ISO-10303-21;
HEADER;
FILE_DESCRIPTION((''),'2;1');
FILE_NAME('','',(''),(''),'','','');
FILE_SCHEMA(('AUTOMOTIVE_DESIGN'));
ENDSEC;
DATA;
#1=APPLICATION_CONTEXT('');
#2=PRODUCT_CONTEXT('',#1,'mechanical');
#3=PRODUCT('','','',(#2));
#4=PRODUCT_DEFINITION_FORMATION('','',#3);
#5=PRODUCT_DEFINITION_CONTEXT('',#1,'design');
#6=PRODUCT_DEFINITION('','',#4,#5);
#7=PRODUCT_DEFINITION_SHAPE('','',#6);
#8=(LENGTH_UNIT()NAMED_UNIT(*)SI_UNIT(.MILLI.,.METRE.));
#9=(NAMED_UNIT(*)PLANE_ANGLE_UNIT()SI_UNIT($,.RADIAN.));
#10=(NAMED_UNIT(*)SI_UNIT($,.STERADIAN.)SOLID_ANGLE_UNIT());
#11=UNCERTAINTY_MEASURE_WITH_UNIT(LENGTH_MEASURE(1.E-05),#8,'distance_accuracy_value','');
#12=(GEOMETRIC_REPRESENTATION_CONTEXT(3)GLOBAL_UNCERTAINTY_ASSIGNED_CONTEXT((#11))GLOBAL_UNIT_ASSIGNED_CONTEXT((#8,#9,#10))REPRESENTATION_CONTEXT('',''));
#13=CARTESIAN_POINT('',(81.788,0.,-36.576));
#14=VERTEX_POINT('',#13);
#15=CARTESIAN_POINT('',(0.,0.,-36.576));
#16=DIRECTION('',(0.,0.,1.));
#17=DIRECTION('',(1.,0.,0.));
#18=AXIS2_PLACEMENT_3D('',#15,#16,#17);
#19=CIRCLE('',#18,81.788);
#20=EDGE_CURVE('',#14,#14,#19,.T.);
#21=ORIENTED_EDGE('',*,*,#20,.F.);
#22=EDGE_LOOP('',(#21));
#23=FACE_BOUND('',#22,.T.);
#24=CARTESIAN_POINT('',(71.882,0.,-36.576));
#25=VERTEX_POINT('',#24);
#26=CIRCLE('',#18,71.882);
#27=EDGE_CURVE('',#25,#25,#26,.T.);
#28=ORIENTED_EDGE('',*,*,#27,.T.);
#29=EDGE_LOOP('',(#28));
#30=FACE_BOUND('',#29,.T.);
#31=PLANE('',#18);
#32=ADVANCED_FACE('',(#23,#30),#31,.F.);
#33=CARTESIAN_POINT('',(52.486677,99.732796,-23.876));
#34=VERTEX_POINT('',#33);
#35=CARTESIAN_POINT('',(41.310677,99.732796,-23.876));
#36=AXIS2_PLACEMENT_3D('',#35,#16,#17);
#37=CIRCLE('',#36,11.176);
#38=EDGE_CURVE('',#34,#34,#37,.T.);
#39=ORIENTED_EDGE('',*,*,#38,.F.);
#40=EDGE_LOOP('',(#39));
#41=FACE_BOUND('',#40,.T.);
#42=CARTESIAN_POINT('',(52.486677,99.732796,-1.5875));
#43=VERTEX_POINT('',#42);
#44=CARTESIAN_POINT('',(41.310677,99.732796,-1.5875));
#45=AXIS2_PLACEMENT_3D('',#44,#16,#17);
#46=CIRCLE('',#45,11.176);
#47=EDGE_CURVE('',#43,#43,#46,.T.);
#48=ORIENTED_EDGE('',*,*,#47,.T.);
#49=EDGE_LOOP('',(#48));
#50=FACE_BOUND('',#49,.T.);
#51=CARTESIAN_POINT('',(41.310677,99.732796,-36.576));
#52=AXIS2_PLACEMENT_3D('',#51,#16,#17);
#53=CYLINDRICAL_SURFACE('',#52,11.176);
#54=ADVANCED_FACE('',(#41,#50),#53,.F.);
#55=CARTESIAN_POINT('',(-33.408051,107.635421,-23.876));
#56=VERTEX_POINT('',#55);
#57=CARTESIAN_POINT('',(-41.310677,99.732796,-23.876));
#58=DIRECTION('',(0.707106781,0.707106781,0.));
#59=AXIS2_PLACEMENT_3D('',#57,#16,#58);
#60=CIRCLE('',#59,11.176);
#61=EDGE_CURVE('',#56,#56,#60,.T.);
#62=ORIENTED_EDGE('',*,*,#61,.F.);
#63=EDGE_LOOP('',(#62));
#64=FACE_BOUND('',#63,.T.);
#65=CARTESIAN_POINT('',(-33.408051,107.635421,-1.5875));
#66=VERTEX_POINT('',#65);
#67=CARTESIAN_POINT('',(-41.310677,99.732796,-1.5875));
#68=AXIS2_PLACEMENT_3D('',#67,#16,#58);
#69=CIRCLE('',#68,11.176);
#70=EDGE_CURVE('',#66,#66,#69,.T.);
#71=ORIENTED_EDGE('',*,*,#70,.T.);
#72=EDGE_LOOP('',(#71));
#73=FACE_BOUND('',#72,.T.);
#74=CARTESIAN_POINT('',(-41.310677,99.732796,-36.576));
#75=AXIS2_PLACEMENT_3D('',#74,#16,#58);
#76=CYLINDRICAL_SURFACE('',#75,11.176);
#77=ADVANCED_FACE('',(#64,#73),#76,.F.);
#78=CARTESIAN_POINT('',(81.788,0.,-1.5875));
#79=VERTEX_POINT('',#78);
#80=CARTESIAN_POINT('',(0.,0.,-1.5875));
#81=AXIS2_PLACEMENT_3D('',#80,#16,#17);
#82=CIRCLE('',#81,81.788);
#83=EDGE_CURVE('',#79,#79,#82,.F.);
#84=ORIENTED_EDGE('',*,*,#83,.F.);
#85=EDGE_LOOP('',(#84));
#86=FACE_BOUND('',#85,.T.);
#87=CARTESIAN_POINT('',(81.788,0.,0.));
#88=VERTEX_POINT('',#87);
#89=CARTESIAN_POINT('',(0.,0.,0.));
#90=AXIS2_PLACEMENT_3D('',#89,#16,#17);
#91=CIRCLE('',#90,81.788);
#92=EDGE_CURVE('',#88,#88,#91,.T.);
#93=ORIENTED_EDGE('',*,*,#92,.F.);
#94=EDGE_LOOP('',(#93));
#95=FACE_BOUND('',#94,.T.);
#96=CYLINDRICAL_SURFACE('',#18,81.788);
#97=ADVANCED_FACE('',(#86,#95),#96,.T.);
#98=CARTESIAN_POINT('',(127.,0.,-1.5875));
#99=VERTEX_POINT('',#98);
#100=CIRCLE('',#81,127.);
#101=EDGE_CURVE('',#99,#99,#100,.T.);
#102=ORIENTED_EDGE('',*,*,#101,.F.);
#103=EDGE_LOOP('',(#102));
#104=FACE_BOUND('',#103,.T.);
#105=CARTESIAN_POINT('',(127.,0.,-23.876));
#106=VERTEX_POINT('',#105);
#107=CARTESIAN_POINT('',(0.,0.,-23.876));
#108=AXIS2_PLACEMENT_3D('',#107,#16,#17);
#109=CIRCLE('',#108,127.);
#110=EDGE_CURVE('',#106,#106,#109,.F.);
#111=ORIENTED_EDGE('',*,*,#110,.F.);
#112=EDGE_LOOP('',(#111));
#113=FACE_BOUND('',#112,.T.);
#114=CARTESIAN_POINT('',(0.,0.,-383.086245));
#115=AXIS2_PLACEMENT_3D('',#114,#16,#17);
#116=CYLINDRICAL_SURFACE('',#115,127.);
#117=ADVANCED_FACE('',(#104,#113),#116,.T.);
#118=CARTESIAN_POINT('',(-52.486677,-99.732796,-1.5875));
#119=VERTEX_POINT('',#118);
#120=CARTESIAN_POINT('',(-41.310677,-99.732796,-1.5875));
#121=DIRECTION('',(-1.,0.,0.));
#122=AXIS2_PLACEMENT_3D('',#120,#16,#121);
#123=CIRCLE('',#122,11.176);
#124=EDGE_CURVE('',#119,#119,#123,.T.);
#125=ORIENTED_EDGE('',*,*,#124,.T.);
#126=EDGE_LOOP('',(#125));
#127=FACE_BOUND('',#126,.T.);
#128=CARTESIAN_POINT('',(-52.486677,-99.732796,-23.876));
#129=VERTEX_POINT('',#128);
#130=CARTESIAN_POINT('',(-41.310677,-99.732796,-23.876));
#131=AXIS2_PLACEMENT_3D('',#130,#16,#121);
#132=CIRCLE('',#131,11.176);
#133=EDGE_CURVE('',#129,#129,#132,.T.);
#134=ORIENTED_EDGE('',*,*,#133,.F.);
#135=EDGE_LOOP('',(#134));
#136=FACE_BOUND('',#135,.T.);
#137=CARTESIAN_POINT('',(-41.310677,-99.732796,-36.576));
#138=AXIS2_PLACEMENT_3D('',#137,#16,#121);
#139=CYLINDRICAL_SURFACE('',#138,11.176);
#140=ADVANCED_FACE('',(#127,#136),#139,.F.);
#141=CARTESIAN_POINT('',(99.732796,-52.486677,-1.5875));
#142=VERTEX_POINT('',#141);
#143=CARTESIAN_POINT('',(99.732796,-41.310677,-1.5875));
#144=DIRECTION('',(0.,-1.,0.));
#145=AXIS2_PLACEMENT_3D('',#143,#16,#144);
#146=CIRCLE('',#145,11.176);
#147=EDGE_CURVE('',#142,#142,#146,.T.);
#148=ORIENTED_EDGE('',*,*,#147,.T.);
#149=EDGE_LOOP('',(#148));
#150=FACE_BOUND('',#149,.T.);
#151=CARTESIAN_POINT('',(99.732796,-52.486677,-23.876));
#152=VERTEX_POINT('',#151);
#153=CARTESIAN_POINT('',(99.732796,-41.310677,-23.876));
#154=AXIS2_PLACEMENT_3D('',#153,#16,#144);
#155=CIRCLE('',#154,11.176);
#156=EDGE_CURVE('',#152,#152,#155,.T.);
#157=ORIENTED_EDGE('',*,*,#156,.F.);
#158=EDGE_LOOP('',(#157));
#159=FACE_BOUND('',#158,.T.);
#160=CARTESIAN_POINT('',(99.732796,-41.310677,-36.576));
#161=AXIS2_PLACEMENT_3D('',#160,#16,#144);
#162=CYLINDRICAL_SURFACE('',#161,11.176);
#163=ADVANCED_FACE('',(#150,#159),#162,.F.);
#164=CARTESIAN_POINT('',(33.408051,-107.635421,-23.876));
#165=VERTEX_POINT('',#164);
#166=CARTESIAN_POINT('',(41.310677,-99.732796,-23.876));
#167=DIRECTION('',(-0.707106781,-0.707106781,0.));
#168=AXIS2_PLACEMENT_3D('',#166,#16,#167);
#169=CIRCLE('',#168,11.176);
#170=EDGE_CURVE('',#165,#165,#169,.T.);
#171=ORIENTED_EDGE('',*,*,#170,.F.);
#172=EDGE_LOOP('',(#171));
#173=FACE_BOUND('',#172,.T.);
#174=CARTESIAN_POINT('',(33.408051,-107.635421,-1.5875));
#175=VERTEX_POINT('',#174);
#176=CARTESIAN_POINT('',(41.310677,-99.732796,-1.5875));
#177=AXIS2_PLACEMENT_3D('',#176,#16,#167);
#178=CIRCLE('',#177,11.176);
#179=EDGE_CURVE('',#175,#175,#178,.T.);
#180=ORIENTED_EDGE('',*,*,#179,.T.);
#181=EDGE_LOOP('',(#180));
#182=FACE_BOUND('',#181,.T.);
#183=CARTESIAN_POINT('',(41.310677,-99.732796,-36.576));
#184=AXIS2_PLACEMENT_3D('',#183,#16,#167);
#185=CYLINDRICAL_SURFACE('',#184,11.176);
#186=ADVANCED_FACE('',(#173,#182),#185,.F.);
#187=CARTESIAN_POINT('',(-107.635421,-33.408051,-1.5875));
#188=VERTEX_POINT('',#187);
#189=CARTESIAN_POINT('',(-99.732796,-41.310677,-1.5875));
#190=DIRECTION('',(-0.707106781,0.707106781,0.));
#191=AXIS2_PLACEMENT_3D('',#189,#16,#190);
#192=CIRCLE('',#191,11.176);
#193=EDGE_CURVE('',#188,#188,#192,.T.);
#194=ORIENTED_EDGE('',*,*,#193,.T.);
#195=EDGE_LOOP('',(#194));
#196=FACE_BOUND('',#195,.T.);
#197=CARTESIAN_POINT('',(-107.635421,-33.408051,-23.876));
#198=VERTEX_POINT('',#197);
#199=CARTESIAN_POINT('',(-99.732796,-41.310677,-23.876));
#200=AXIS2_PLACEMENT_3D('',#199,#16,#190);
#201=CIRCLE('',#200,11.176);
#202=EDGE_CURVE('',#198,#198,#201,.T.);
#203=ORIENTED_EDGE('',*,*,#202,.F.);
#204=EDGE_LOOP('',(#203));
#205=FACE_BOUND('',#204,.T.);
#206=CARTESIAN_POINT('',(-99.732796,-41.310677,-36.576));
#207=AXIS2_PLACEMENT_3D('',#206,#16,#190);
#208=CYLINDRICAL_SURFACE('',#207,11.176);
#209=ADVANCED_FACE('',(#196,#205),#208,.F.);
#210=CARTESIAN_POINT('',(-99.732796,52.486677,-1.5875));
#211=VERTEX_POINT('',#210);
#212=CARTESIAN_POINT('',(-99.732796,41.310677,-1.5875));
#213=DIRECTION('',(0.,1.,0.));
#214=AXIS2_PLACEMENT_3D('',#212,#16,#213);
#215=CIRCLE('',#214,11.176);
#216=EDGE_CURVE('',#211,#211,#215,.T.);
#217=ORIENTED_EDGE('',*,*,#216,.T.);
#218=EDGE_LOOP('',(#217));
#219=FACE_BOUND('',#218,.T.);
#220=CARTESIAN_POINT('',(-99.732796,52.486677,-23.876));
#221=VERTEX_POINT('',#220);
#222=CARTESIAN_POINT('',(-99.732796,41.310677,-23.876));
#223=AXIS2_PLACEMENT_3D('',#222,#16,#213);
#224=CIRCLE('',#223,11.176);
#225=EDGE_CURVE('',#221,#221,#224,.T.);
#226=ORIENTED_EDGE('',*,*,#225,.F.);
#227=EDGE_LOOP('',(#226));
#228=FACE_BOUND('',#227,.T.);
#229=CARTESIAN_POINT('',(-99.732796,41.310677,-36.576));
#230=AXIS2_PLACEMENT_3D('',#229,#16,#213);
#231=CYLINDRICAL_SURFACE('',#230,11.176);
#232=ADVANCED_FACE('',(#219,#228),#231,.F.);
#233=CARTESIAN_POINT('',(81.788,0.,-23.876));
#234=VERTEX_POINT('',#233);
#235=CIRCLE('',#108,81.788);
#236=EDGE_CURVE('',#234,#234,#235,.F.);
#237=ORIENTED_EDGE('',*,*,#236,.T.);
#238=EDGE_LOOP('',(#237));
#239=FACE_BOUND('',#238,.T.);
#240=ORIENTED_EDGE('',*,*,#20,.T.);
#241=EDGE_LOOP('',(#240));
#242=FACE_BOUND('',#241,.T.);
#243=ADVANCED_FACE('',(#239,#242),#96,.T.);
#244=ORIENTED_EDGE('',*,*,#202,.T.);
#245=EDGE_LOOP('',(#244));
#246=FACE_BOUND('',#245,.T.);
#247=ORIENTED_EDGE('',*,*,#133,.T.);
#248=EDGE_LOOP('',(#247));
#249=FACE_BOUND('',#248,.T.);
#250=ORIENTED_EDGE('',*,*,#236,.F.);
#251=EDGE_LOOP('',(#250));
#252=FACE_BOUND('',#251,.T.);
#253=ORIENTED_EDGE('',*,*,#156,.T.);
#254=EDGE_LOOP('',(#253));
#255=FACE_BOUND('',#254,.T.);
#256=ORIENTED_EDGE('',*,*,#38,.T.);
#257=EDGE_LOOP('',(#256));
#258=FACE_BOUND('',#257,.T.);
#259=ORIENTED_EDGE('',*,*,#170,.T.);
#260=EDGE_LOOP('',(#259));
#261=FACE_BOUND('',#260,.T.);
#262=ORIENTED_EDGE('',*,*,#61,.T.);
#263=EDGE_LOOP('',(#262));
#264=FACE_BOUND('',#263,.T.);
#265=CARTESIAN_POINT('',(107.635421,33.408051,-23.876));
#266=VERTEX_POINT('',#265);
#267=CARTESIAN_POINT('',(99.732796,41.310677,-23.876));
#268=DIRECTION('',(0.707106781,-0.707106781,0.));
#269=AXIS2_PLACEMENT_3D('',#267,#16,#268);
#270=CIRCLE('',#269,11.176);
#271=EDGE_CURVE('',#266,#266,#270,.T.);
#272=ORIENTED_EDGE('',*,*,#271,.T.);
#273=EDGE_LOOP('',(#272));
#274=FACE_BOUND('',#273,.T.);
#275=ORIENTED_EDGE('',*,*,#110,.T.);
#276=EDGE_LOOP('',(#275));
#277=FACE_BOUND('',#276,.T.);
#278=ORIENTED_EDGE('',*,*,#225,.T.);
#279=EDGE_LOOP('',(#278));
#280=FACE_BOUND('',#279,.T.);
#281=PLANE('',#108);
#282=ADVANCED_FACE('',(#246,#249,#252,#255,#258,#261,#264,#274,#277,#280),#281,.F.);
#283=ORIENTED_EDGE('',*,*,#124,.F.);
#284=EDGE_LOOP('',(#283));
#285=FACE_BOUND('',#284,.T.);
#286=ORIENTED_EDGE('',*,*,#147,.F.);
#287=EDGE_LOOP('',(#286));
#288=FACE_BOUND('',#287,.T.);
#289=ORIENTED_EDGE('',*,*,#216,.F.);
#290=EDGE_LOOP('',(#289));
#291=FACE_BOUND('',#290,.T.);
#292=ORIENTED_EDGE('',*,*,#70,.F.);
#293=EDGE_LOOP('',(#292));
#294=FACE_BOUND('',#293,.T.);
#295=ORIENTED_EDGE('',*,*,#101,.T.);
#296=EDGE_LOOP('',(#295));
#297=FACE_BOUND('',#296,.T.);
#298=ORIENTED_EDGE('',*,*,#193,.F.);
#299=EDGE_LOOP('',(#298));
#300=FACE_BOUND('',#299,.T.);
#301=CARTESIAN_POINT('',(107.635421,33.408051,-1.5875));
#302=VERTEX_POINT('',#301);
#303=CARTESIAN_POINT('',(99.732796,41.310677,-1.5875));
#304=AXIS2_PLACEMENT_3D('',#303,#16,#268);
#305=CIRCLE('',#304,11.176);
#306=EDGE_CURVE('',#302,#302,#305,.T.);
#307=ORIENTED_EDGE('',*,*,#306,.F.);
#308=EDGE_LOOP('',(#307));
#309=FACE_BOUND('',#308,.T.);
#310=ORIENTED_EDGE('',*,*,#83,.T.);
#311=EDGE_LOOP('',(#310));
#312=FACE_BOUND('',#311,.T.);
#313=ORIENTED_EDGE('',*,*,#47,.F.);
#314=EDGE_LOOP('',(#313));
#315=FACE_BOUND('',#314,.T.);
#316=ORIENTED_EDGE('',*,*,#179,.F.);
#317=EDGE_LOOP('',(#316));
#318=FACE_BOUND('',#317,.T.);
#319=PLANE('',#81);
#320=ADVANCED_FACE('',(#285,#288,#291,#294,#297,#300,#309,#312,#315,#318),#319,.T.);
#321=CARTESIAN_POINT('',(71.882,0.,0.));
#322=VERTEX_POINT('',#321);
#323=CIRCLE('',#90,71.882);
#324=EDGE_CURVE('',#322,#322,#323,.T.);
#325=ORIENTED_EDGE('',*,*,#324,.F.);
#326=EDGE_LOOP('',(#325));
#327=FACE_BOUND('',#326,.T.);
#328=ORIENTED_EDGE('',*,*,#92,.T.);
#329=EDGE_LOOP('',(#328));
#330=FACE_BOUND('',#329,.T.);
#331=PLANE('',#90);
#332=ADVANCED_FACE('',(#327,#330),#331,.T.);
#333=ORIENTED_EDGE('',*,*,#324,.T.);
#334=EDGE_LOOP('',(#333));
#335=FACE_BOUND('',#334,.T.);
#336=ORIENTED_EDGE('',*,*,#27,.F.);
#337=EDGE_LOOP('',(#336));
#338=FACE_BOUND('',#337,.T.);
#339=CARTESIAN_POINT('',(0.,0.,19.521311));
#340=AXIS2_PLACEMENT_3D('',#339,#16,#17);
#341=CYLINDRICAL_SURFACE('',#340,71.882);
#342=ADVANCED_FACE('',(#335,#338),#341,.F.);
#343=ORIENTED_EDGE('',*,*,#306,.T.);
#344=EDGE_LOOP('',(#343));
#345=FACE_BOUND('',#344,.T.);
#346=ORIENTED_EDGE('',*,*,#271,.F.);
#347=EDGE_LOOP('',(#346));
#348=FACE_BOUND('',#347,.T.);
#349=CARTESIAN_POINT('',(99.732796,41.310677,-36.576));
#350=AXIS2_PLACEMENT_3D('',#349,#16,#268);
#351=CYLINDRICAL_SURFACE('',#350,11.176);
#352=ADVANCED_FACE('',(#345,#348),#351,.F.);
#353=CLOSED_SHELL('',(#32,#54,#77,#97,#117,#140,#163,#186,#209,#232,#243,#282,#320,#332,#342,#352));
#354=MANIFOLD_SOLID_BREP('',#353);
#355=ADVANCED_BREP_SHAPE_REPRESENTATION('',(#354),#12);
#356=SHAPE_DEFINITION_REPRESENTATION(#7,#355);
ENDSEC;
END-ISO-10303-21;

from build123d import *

# Parameters (mm, degrees)
HUB_DIAMETER_R                = 81.788
HUB_DEPTH                     = 36.576
FLANGE_DIAMETER_R             = 127
FLANGE_DEPTH                  = 22.2885
REVOLUTION_PROFILE_FOR_BORE_W = 71.882
REVOLUTION_PROFILE_FOR_BORE_H = 228.6
BOLT_DIAMETER_R               = 11.176
BOLT_HOLE_DEPTH               = 183.981406521
BOLT_HOLE_PATTERN_COUNT       = 8
BOLT_HOLE_PATTERN_ANGLE       = 315


with BuildPart() as part:
    # Hub Diameter → Hub (new body)
    with BuildSketch(Plane.XY):
        Circle(HUB_DIAMETER_R)
    extrude(amount=-HUB_DEPTH)

    # Flange Diameter → Flange (add)
    with BuildSketch(Plane.XY.offset(-1.5875)):
        Circle(FLANGE_DIAMETER_R)
    extrude(amount=-FLANGE_DEPTH)

    # Revolution profile for Bore → Bore (revolve, cut)
    with BuildSketch(Plane(origin=(0, 0, 0), x_dir=(1, 0, 0), z_dir=(0, 1, 0))):
        with Locations((35.941, 114.3)):
            Rectangle(REVOLUTION_PROFILE_FOR_BORE_W, REVOLUTION_PROFILE_FOR_BORE_H)
    revolve(axis=Axis((0, 0, 19.52131148), (0, 0, -1)), mode=Mode.SUBTRACT)

    # Bolt Diameter → Bolt Hole (cut, through all)
    with BuildSketch(Plane.XY.offset(-1.5875)):
        with Locations((41.310676524, 99.732795535)):
            Circle(BOLT_DIAMETER_R)
    bolt_hole = extrude(amount=-BOLT_HOLE_DEPTH, mode=Mode.SUBTRACT)

    # Bolt Hole Pattern: Bolt Hole ×8 about axis
    bolt_hole_pattern_axis = Axis((0, 0, -50), (0, 0, 1))
    for i in range(1, BOLT_HOLE_PATTERN_COUNT):
        add(bolt_hole.rotate(bolt_hole_pattern_axis, i * BOLT_HOLE_PATTERN_ANGLE / (BOLT_HOLE_PATTERN_COUNT - 1)), mode=Mode.SUBTRACT)


solid = part.part
